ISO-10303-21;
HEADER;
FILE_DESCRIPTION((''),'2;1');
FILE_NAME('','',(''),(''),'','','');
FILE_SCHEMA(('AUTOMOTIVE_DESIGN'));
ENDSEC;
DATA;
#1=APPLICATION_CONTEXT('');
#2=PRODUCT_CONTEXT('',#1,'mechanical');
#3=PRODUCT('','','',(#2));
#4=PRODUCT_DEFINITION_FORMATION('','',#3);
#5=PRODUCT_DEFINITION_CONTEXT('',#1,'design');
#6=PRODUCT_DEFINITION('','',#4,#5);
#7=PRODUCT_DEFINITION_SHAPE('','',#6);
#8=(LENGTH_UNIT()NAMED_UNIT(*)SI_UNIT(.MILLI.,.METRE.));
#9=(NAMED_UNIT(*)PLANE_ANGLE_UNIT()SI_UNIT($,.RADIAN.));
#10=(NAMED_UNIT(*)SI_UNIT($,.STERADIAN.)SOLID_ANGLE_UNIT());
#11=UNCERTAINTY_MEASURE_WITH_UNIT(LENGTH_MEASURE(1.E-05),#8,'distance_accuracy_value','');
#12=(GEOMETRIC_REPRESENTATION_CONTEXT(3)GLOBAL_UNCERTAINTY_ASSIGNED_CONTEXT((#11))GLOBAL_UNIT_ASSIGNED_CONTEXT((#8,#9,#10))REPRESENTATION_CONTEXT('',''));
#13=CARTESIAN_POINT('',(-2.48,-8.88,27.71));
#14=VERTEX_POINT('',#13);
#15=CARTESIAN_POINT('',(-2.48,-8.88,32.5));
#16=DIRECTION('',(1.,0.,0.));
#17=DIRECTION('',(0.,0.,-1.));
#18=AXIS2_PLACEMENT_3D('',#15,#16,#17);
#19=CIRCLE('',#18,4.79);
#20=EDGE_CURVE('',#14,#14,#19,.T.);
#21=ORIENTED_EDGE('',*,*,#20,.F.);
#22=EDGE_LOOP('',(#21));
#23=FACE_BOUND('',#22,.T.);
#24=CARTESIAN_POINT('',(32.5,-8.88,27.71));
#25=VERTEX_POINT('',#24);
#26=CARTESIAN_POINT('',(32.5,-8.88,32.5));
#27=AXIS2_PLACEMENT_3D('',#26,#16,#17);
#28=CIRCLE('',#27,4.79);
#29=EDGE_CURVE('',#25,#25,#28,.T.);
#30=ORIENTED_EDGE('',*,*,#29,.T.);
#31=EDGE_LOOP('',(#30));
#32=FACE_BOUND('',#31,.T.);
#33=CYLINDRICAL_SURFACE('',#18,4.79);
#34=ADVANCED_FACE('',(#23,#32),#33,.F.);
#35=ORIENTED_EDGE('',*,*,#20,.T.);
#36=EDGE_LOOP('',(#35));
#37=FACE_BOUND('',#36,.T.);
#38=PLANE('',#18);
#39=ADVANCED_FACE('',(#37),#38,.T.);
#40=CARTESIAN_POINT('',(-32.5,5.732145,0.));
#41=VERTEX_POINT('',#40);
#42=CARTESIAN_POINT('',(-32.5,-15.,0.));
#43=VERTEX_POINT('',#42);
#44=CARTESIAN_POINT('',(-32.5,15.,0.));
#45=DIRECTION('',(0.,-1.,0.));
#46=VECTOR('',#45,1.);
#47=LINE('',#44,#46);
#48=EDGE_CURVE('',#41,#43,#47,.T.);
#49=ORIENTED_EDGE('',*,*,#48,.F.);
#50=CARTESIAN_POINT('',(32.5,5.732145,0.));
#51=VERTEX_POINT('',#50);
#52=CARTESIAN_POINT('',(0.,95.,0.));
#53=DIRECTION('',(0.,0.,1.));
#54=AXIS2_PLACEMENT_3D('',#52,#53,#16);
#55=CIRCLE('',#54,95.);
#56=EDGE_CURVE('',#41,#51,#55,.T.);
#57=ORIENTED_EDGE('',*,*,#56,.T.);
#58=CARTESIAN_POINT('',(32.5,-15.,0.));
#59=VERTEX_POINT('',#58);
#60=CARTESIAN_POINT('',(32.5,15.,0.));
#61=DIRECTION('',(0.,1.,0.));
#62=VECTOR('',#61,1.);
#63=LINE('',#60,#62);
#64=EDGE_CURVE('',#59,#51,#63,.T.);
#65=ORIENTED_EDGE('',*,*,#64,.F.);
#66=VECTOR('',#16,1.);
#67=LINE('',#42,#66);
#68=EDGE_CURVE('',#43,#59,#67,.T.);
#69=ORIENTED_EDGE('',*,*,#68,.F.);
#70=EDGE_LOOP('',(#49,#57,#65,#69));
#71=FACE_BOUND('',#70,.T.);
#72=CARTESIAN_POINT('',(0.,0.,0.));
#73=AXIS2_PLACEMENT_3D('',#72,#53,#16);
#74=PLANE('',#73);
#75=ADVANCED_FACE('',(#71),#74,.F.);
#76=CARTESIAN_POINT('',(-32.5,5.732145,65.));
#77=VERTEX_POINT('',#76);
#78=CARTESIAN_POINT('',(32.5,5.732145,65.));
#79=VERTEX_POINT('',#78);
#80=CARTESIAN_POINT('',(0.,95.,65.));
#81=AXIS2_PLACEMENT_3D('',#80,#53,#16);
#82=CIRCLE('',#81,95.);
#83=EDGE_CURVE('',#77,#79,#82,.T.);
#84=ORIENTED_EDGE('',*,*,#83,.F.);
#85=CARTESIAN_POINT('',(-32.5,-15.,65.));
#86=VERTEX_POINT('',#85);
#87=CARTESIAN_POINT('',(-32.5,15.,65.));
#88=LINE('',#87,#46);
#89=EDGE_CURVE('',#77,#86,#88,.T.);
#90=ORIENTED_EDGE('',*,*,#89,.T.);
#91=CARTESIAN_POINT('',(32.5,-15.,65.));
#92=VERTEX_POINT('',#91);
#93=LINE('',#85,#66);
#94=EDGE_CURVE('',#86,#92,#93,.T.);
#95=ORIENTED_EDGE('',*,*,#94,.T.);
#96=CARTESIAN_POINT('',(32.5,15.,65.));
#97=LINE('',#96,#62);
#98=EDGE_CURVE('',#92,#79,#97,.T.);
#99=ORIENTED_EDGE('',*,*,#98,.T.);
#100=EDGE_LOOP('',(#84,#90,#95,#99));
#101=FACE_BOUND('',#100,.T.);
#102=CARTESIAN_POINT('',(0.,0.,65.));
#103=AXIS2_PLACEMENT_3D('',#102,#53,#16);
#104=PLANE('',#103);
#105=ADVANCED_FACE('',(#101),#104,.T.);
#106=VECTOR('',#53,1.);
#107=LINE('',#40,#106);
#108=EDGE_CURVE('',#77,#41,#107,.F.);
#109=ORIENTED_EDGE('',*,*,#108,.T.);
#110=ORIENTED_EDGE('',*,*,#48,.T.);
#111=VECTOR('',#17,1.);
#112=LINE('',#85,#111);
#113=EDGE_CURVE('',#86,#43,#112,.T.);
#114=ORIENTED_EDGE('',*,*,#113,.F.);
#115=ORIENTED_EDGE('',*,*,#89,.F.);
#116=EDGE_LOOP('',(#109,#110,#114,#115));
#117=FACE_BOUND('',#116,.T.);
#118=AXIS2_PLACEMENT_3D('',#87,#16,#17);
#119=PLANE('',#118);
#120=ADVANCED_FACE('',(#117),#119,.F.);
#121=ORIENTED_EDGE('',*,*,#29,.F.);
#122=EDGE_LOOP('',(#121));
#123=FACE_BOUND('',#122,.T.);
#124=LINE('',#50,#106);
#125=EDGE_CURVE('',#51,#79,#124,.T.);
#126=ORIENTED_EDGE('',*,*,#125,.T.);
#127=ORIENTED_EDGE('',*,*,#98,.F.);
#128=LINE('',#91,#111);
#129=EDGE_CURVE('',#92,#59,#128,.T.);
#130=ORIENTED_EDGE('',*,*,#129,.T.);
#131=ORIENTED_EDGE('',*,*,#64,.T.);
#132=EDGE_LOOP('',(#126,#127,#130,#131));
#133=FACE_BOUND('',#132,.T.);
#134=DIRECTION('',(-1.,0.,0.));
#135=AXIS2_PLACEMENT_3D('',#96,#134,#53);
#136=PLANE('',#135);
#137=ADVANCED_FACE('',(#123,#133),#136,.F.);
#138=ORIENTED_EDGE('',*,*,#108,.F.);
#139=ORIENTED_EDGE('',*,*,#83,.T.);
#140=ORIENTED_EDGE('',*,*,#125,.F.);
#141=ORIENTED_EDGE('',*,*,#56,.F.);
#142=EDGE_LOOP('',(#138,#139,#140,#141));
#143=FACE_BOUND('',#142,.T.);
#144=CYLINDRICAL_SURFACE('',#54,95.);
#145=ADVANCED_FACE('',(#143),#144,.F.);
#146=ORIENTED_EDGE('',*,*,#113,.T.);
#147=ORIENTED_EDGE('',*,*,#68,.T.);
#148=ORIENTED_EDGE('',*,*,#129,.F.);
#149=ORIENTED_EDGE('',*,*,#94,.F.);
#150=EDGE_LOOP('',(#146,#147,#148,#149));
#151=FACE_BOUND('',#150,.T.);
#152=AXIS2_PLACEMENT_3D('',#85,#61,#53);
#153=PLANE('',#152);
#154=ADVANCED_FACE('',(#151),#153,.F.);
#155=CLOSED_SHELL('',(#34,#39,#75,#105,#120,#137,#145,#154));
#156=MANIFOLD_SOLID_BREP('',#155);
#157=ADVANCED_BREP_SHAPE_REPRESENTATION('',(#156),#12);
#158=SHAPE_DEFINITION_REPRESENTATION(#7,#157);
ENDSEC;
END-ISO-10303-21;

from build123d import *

# Parameters (mm, degrees)
SKIZZE1_W                       = 65
SKIZZE1_H                       = 30
AUFSATZ_LINEAR_AUSTRAGEN1_DEPTH = 65
SKIZZE2_R                       = 95
SCHNITT_LINEAR_AUSTRAGEN1_DEPTH = 65
SKIZZE5_R                       = 4.79
SCHNITT_LINEAR_AUSTRAGEN2_DEPTH = 34.98


with BuildPart() as part:
    # Skizze1 → Aufsatz-Linear austragen1 (new body)
    with BuildSketch(Plane.XY):
        Rectangle(SKIZZE1_W, SKIZZE1_H)
    extrude(amount=AUFSATZ_LINEAR_AUSTRAGEN1_DEPTH)

    # Skizze2 → Schnitt-Linear austragen1 (cut)
    with BuildSketch(Plane.XY.offset(65)):
        with Locations((0, 95)):
            Circle(SKIZZE2_R)
    extrude(amount=-SCHNITT_LINEAR_AUSTRAGEN1_DEPTH, mode=Mode.SUBTRACT)

    # Skizze5 → Schnitt-Linear austragen2 (cut)
    with BuildSketch(Plane(origin=(32.5, 0, 0), x_dir=(0, 0, -1), z_dir=(1, 0, 0))):
        with Locations((-32.5, -8.88)):
            Circle(SKIZZE5_R)
    extrude(amount=-SCHNITT_LINEAR_AUSTRAGEN2_DEPTH, mode=Mode.SUBTRACT)


solid = part.part
